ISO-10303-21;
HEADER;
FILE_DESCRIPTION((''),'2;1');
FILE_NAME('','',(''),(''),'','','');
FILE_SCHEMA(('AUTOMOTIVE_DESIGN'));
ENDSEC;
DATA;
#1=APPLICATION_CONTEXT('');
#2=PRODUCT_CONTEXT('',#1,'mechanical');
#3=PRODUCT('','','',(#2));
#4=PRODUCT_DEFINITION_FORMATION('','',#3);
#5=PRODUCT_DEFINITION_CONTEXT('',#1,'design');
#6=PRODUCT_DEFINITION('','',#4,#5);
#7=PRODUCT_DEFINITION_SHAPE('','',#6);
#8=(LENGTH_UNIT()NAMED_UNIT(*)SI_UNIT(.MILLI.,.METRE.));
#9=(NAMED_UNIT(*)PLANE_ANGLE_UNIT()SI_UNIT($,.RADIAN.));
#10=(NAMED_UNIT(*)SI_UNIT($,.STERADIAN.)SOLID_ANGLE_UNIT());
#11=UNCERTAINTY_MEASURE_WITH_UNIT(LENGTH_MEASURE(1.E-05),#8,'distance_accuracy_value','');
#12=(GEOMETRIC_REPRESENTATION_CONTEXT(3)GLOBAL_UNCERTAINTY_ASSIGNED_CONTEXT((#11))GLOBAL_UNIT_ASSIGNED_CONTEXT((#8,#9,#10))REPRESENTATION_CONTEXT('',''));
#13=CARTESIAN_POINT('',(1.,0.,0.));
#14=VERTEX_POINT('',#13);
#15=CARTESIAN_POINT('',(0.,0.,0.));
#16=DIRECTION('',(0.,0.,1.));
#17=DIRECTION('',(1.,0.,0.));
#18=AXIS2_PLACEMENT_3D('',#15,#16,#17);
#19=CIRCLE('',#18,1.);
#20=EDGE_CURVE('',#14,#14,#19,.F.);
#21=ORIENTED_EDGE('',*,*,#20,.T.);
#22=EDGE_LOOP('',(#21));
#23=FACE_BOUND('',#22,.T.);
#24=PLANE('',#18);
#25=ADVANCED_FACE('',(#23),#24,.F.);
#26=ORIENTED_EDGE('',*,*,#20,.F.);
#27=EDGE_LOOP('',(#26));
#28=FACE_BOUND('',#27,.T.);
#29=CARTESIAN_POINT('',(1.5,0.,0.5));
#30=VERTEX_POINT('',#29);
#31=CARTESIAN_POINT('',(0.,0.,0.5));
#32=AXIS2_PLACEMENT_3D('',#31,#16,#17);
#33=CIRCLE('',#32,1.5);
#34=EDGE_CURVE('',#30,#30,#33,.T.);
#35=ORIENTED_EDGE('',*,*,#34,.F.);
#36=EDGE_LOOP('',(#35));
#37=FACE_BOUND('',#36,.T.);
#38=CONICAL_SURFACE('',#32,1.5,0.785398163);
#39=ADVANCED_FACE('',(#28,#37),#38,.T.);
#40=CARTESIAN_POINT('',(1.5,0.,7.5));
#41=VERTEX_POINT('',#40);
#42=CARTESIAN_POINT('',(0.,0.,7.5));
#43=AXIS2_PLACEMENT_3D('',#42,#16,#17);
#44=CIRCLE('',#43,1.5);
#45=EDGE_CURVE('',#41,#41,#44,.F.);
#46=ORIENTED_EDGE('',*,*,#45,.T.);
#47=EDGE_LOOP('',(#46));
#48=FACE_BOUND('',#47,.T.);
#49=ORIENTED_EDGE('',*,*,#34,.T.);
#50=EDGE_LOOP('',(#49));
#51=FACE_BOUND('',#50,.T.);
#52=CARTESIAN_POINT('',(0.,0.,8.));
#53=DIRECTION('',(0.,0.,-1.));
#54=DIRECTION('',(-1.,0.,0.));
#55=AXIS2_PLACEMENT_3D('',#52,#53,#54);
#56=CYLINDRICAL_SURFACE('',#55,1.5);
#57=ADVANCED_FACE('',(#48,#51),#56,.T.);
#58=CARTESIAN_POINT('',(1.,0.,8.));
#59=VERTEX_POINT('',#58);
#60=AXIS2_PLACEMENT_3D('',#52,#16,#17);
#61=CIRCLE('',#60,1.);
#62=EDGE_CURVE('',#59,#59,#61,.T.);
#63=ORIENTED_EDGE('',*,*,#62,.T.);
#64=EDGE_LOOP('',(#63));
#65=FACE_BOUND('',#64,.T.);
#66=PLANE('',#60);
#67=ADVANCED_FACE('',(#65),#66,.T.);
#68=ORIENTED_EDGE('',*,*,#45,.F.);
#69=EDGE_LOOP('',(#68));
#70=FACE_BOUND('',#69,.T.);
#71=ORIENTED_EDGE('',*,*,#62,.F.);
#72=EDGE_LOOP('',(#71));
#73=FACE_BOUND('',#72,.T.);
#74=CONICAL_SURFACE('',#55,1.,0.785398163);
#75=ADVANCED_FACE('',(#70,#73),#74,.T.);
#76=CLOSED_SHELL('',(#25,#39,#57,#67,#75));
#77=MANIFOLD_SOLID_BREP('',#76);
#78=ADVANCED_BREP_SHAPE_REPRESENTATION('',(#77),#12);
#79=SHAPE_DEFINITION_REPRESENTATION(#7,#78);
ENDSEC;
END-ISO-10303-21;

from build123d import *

# Parameters (mm, degrees)
SKETCH_1_R      = 1.5
EXTRUDE_1_DEPTH = 8
CHAMFER_1_SIZE  = 0.5


with BuildPart() as part:
    # 草图1 → 凸台-拉伸1 (new body)
    with BuildSketch(Plane.XY):
        Circle(SKETCH_1_R)
    extrude(amount=EXTRUDE_1_DEPTH)

    # 倒角1
    chamfer_1_edges = [part.edges().sort_by_distance(p)[0] for p in [
        (-1.5, 0, 0),
        (-1.5, 0, 8),
    ]]
    chamfer(chamfer_1_edges, length=CHAMFER_1_SIZE)


solid = part.part
